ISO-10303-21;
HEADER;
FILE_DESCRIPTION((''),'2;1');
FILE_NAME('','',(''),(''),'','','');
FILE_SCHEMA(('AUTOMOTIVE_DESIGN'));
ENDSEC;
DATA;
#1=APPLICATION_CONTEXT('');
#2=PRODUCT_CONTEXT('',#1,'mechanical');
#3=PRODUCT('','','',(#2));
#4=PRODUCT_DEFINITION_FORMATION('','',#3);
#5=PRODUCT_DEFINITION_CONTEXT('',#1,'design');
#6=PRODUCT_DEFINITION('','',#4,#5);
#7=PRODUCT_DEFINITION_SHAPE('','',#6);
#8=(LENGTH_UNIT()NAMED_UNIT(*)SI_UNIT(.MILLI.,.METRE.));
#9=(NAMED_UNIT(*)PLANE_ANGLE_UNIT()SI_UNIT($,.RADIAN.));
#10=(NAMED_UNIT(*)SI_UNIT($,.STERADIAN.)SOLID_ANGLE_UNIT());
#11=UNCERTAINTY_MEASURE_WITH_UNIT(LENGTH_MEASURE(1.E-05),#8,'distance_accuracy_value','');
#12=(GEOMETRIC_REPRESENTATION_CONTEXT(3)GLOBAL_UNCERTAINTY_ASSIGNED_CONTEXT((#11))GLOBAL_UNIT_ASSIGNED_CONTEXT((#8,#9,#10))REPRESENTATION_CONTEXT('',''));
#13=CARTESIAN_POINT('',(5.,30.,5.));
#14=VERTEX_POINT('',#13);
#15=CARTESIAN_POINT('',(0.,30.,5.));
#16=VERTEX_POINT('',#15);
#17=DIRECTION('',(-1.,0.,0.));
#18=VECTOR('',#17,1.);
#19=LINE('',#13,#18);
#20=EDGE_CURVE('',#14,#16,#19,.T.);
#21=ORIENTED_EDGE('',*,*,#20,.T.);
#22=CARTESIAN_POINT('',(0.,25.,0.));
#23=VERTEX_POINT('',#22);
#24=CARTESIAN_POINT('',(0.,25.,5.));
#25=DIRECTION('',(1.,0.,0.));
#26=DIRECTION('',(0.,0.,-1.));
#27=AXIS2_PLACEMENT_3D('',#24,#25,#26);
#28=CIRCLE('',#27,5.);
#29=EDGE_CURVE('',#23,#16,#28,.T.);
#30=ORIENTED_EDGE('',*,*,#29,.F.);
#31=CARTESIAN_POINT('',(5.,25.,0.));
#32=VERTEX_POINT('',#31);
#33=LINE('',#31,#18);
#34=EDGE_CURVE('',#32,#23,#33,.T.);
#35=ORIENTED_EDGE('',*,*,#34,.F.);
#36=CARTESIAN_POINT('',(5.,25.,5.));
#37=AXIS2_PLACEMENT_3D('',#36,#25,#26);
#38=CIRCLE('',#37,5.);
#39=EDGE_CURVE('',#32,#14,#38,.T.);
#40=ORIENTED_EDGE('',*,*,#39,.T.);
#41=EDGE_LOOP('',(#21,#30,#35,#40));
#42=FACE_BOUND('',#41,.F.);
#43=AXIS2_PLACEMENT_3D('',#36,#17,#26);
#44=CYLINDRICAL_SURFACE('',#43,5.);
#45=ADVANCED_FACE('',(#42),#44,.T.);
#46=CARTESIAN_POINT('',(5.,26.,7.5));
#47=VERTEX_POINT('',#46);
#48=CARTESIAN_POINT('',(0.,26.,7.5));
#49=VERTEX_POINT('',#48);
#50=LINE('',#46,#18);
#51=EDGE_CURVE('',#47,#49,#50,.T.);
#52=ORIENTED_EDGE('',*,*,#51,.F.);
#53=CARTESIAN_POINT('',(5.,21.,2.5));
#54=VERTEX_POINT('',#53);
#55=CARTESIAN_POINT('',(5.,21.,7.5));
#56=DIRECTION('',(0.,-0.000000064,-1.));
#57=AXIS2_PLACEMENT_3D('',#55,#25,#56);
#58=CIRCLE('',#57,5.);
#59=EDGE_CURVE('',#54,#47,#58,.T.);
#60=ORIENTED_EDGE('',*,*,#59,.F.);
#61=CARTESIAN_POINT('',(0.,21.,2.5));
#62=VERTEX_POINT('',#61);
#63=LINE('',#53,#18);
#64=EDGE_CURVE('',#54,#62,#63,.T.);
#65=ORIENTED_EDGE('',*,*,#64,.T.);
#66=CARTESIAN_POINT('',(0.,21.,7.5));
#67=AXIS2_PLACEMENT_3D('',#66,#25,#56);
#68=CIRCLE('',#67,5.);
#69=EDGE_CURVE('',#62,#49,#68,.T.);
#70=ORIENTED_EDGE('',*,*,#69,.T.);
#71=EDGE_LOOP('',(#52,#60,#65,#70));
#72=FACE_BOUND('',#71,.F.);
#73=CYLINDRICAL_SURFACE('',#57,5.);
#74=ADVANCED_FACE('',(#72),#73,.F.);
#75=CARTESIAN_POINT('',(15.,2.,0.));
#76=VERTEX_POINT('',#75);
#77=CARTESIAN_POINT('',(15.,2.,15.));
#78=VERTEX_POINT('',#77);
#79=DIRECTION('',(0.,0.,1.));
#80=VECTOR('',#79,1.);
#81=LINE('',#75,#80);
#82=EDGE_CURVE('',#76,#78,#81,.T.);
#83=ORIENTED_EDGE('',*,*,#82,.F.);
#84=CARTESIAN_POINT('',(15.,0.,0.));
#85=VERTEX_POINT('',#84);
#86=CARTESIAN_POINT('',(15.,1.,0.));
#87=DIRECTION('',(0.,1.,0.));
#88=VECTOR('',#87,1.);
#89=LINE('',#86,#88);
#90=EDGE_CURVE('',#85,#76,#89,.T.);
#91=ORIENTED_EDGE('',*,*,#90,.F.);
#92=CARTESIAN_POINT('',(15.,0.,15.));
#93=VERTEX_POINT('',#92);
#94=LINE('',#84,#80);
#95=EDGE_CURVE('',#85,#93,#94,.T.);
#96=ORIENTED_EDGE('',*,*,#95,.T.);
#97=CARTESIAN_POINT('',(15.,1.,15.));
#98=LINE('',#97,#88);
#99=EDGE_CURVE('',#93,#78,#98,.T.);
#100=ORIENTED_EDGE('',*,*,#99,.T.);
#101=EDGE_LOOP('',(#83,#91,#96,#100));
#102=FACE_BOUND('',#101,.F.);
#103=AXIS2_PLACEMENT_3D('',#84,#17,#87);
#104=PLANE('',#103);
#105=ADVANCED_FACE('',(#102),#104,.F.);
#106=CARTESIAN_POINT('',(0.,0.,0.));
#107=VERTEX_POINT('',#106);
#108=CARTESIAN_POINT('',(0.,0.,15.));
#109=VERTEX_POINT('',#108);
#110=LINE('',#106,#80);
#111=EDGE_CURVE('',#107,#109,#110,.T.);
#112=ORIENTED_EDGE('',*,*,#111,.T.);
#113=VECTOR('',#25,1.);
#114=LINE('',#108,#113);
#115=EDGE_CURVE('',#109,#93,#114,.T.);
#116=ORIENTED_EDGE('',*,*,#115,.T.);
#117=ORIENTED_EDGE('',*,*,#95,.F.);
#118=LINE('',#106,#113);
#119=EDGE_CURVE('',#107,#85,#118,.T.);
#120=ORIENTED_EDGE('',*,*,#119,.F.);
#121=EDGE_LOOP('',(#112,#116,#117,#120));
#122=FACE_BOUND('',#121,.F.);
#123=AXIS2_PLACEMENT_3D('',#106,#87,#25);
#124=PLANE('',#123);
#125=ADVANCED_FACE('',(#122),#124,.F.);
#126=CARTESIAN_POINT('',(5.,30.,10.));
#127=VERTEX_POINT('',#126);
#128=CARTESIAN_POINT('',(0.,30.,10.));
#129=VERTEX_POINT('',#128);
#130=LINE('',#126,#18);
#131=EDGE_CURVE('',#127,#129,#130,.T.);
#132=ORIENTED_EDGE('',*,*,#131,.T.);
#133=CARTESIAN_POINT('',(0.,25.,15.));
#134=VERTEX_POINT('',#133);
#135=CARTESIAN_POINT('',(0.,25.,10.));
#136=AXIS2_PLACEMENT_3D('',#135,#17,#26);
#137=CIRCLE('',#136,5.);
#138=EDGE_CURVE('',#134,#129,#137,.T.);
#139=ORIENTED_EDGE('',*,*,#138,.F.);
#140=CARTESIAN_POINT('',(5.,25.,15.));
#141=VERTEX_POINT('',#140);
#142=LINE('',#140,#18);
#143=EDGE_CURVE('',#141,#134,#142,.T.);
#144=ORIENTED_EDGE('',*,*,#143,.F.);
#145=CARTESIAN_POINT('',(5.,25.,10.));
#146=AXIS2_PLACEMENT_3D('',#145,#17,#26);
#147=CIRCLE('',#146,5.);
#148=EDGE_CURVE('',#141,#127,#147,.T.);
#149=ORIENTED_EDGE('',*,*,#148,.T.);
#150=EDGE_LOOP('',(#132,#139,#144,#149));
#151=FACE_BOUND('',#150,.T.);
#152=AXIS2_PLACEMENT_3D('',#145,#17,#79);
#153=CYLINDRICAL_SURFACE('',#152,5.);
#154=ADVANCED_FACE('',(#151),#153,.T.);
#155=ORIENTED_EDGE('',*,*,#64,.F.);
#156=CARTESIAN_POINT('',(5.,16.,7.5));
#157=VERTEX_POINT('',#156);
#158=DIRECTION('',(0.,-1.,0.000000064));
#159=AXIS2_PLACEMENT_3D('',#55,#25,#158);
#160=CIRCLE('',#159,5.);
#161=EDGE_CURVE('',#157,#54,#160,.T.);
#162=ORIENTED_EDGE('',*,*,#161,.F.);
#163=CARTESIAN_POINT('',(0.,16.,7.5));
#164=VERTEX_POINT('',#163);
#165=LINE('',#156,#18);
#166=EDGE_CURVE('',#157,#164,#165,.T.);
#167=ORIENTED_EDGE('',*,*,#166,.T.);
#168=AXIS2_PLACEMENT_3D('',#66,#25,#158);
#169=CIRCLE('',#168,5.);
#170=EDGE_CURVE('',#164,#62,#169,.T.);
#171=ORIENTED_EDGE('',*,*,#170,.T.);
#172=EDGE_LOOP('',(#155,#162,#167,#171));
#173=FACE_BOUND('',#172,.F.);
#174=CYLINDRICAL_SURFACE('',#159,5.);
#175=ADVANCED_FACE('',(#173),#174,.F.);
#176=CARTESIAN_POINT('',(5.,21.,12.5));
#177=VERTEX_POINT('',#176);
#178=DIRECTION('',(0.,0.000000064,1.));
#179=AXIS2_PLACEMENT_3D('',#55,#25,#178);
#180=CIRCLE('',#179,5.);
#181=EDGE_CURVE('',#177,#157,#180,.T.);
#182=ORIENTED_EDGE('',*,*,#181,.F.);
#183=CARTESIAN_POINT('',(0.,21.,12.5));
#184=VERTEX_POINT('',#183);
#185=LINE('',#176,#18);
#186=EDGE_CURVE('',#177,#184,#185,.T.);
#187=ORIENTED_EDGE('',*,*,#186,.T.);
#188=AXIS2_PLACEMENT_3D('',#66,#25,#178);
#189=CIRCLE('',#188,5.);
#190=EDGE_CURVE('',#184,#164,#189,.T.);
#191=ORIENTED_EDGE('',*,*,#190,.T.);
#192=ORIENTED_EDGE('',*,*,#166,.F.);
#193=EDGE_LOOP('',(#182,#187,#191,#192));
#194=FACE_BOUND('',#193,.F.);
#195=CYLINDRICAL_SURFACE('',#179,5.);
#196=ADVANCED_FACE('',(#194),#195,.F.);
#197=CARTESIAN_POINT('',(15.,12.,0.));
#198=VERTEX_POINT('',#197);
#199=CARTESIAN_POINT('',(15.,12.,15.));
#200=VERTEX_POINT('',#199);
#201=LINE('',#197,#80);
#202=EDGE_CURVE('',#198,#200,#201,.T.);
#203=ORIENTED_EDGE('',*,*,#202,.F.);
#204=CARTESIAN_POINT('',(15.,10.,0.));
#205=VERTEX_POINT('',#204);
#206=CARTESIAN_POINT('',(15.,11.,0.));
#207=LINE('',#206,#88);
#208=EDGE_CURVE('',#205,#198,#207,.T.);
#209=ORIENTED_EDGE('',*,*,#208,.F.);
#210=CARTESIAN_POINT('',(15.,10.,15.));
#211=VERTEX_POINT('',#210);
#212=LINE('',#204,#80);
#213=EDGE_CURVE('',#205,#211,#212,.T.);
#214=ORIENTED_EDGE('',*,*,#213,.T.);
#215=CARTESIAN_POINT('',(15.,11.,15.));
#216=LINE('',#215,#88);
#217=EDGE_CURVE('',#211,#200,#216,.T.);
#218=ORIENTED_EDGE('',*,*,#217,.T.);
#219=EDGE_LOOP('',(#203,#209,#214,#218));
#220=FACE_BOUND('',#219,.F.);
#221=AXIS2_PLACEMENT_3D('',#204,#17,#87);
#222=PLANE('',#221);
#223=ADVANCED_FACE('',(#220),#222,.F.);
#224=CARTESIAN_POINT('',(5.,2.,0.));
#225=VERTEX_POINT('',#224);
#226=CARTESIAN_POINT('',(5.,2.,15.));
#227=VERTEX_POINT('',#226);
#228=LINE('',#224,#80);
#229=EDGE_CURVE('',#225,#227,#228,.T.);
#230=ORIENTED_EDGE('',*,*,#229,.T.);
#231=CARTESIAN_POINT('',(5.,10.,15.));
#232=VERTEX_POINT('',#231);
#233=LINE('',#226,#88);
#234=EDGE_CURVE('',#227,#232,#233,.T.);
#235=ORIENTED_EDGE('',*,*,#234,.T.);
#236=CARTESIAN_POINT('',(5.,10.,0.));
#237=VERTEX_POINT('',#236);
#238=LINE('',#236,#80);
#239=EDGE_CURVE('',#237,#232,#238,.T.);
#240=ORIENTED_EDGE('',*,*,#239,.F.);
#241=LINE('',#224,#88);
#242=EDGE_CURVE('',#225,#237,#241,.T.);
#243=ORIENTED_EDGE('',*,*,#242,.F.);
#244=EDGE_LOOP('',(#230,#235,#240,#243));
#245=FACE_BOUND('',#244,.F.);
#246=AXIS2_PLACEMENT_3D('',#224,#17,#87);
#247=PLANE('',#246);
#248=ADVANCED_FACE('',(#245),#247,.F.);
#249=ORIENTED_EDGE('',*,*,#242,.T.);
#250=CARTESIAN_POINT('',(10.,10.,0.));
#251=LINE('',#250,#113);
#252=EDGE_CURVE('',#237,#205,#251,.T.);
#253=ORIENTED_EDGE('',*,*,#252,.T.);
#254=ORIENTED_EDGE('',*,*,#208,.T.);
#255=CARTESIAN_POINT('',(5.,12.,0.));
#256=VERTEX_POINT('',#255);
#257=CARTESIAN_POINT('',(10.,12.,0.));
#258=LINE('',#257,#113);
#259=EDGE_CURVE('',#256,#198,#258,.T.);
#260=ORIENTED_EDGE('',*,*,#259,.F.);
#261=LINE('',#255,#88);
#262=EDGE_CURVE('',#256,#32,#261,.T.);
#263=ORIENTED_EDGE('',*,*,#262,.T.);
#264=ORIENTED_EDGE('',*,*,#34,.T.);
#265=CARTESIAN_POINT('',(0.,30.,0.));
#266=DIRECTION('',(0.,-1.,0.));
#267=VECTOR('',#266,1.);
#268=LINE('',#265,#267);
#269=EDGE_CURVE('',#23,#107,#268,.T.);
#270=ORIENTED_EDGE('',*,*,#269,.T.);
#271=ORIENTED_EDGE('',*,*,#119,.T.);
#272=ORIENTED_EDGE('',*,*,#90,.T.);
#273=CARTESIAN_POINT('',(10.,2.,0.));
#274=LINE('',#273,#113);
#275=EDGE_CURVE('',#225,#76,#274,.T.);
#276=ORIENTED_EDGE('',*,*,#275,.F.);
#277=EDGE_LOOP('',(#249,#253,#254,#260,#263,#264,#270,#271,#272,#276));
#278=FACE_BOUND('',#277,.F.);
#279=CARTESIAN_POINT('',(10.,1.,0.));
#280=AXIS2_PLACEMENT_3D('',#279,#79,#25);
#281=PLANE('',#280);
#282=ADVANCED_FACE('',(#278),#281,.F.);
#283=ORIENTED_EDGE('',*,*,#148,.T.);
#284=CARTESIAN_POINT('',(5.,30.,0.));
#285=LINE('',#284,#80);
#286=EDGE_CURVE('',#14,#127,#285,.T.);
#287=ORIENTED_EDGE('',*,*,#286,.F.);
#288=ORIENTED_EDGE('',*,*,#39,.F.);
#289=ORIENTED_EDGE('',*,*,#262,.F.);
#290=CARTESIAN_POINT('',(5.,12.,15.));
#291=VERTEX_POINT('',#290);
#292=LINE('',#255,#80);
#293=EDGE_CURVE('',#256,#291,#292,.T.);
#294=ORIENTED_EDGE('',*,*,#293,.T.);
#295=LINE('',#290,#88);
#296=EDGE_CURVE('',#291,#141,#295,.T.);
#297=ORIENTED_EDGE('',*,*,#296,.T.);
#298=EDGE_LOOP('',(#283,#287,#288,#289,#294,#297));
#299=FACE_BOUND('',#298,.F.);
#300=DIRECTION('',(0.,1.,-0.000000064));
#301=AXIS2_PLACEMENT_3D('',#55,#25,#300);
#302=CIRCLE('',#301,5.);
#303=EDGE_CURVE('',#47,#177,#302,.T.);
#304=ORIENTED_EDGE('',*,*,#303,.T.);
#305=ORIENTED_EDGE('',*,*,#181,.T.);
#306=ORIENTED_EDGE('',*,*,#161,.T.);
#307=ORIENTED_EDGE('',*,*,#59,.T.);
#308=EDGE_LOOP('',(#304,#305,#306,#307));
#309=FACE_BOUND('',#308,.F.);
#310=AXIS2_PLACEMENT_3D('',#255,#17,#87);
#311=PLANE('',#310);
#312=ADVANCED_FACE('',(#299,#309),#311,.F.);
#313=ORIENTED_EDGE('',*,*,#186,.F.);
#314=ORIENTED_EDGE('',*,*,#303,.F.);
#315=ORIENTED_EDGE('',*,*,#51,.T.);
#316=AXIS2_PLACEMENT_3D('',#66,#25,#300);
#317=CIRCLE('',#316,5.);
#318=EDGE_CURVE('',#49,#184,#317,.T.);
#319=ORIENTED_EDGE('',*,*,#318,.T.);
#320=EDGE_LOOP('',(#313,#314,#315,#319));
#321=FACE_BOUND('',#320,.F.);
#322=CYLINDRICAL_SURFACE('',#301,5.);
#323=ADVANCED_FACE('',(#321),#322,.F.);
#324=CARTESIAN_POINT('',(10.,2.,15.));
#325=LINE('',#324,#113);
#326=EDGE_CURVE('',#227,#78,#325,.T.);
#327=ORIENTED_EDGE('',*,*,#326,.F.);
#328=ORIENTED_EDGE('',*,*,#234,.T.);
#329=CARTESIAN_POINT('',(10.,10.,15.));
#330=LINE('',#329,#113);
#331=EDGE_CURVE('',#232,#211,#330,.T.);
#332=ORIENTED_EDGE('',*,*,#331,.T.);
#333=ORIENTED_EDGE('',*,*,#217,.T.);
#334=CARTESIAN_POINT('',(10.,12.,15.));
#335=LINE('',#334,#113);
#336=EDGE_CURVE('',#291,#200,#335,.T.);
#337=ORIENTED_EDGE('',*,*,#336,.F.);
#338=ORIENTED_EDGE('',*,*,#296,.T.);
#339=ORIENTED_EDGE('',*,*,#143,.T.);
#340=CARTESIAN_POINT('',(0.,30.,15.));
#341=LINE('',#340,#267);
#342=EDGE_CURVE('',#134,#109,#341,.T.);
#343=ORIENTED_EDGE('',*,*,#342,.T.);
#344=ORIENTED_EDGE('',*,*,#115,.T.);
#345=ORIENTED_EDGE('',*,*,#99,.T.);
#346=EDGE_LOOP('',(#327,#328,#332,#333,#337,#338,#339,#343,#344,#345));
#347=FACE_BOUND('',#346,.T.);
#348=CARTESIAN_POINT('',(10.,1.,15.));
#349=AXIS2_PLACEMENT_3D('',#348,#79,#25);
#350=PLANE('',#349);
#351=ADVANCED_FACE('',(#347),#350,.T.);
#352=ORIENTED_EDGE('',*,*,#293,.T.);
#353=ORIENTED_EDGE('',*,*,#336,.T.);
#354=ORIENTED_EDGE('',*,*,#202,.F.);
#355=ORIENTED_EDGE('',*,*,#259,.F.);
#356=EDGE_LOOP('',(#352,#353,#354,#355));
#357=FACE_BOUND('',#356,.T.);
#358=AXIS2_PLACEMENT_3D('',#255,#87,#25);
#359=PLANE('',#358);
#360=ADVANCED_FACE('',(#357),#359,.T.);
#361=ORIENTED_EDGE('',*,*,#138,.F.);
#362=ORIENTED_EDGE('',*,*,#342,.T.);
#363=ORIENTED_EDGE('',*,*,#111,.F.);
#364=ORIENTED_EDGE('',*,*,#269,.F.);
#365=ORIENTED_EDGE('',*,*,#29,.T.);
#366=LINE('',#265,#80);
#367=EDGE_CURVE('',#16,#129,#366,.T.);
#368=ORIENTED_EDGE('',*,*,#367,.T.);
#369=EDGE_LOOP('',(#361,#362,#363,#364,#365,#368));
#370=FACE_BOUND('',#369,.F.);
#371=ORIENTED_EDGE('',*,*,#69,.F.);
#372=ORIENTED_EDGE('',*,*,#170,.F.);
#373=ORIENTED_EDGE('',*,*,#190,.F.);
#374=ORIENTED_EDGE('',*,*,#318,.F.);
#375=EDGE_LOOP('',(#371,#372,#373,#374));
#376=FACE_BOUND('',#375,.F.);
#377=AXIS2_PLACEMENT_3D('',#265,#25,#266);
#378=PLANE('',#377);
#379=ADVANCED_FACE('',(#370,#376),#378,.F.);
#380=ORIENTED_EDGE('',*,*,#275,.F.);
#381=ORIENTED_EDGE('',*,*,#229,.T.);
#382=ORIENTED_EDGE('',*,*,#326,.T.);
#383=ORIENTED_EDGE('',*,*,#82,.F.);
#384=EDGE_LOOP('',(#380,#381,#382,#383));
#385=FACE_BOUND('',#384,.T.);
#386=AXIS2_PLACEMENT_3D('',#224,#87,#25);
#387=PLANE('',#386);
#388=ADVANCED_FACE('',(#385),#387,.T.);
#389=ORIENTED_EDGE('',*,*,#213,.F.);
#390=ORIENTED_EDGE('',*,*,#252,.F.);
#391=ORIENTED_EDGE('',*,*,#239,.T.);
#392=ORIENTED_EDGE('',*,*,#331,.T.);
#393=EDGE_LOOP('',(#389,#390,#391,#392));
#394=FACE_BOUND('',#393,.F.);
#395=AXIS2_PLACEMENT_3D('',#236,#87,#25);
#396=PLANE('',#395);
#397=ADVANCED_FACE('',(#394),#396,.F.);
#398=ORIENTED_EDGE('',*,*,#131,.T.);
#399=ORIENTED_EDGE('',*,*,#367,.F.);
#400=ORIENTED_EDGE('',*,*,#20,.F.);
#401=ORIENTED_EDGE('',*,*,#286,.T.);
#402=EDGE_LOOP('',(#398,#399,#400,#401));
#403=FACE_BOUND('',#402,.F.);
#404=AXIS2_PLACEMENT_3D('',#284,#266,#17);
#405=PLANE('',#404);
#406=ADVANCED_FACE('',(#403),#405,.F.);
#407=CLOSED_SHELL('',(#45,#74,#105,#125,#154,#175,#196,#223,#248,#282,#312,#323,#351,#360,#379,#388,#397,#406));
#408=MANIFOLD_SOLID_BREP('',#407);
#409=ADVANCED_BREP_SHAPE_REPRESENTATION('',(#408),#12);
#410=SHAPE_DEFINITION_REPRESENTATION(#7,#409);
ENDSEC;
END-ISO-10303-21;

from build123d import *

# Parameters (mm, degrees)
F0_W     = 10
F0_H     = 2
F1_DEPTH = 15
F3_DEPTH = 5
F4_R     = 5


with BuildPart() as f1:
    # F0 (on Top) → F1 (new body)
    with BuildSketch(Plane.XY):
        with Locations((10, 1)):
            Rectangle(F0_W, F0_H)
        with Locations((10, 11)):
            Rectangle(F0_W, F0_H)
        Polygon((0, 30), (0, 0), (5, 0), (5, 2), (5, 10), (5, 12), (5, 30), align=None)
    extrude(amount=F1_DEPTH)

    # F2 (on face) → F3 (cut, through all)
    with BuildSketch(Plane.YZ.offset(5)):
        with BuildLine():
            Line((21, 7.5), (21, 12.5))
            ThreePointArc((21, 12.5), (17.464466, 11.035534), (16, 7.5))
            Line((16, 7.5), (21, 7.5))
        make_face()
        with BuildLine():
            ThreePointArc((21, 2.5), (24.535534, 3.964466), (26, 7.5))
            Line((26, 7.5), (21, 7.5))
            Line((21, 7.5), (21, 2.5))
        make_face()
        with BuildLine():
            ThreePointArc((16, 7.5), (17.464466, 3.964466), (21, 2.5))
            Line((21, 2.5), (21, 7.5))
            Line((21, 7.5), (16, 7.5))
        make_face()
        with BuildLine():
            Line((21, 7.5), (26, 7.5))
            ThreePointArc((26, 7.5), (24.535534, 11.035534), (21, 12.5))
            Line((21, 12.5), (21, 7.5))
        make_face()
    extrude(amount=-F3_DEPTH, mode=Mode.SUBTRACT)

    # F4
    f4_edges = [f1.edges().sort_by_distance(p)[0] for p in [
        (2.5, 30, 15),
        (2.5, 30, 0),
    ]]
    fillet(f4_edges, radius=F4_R)


solid = f1.part
